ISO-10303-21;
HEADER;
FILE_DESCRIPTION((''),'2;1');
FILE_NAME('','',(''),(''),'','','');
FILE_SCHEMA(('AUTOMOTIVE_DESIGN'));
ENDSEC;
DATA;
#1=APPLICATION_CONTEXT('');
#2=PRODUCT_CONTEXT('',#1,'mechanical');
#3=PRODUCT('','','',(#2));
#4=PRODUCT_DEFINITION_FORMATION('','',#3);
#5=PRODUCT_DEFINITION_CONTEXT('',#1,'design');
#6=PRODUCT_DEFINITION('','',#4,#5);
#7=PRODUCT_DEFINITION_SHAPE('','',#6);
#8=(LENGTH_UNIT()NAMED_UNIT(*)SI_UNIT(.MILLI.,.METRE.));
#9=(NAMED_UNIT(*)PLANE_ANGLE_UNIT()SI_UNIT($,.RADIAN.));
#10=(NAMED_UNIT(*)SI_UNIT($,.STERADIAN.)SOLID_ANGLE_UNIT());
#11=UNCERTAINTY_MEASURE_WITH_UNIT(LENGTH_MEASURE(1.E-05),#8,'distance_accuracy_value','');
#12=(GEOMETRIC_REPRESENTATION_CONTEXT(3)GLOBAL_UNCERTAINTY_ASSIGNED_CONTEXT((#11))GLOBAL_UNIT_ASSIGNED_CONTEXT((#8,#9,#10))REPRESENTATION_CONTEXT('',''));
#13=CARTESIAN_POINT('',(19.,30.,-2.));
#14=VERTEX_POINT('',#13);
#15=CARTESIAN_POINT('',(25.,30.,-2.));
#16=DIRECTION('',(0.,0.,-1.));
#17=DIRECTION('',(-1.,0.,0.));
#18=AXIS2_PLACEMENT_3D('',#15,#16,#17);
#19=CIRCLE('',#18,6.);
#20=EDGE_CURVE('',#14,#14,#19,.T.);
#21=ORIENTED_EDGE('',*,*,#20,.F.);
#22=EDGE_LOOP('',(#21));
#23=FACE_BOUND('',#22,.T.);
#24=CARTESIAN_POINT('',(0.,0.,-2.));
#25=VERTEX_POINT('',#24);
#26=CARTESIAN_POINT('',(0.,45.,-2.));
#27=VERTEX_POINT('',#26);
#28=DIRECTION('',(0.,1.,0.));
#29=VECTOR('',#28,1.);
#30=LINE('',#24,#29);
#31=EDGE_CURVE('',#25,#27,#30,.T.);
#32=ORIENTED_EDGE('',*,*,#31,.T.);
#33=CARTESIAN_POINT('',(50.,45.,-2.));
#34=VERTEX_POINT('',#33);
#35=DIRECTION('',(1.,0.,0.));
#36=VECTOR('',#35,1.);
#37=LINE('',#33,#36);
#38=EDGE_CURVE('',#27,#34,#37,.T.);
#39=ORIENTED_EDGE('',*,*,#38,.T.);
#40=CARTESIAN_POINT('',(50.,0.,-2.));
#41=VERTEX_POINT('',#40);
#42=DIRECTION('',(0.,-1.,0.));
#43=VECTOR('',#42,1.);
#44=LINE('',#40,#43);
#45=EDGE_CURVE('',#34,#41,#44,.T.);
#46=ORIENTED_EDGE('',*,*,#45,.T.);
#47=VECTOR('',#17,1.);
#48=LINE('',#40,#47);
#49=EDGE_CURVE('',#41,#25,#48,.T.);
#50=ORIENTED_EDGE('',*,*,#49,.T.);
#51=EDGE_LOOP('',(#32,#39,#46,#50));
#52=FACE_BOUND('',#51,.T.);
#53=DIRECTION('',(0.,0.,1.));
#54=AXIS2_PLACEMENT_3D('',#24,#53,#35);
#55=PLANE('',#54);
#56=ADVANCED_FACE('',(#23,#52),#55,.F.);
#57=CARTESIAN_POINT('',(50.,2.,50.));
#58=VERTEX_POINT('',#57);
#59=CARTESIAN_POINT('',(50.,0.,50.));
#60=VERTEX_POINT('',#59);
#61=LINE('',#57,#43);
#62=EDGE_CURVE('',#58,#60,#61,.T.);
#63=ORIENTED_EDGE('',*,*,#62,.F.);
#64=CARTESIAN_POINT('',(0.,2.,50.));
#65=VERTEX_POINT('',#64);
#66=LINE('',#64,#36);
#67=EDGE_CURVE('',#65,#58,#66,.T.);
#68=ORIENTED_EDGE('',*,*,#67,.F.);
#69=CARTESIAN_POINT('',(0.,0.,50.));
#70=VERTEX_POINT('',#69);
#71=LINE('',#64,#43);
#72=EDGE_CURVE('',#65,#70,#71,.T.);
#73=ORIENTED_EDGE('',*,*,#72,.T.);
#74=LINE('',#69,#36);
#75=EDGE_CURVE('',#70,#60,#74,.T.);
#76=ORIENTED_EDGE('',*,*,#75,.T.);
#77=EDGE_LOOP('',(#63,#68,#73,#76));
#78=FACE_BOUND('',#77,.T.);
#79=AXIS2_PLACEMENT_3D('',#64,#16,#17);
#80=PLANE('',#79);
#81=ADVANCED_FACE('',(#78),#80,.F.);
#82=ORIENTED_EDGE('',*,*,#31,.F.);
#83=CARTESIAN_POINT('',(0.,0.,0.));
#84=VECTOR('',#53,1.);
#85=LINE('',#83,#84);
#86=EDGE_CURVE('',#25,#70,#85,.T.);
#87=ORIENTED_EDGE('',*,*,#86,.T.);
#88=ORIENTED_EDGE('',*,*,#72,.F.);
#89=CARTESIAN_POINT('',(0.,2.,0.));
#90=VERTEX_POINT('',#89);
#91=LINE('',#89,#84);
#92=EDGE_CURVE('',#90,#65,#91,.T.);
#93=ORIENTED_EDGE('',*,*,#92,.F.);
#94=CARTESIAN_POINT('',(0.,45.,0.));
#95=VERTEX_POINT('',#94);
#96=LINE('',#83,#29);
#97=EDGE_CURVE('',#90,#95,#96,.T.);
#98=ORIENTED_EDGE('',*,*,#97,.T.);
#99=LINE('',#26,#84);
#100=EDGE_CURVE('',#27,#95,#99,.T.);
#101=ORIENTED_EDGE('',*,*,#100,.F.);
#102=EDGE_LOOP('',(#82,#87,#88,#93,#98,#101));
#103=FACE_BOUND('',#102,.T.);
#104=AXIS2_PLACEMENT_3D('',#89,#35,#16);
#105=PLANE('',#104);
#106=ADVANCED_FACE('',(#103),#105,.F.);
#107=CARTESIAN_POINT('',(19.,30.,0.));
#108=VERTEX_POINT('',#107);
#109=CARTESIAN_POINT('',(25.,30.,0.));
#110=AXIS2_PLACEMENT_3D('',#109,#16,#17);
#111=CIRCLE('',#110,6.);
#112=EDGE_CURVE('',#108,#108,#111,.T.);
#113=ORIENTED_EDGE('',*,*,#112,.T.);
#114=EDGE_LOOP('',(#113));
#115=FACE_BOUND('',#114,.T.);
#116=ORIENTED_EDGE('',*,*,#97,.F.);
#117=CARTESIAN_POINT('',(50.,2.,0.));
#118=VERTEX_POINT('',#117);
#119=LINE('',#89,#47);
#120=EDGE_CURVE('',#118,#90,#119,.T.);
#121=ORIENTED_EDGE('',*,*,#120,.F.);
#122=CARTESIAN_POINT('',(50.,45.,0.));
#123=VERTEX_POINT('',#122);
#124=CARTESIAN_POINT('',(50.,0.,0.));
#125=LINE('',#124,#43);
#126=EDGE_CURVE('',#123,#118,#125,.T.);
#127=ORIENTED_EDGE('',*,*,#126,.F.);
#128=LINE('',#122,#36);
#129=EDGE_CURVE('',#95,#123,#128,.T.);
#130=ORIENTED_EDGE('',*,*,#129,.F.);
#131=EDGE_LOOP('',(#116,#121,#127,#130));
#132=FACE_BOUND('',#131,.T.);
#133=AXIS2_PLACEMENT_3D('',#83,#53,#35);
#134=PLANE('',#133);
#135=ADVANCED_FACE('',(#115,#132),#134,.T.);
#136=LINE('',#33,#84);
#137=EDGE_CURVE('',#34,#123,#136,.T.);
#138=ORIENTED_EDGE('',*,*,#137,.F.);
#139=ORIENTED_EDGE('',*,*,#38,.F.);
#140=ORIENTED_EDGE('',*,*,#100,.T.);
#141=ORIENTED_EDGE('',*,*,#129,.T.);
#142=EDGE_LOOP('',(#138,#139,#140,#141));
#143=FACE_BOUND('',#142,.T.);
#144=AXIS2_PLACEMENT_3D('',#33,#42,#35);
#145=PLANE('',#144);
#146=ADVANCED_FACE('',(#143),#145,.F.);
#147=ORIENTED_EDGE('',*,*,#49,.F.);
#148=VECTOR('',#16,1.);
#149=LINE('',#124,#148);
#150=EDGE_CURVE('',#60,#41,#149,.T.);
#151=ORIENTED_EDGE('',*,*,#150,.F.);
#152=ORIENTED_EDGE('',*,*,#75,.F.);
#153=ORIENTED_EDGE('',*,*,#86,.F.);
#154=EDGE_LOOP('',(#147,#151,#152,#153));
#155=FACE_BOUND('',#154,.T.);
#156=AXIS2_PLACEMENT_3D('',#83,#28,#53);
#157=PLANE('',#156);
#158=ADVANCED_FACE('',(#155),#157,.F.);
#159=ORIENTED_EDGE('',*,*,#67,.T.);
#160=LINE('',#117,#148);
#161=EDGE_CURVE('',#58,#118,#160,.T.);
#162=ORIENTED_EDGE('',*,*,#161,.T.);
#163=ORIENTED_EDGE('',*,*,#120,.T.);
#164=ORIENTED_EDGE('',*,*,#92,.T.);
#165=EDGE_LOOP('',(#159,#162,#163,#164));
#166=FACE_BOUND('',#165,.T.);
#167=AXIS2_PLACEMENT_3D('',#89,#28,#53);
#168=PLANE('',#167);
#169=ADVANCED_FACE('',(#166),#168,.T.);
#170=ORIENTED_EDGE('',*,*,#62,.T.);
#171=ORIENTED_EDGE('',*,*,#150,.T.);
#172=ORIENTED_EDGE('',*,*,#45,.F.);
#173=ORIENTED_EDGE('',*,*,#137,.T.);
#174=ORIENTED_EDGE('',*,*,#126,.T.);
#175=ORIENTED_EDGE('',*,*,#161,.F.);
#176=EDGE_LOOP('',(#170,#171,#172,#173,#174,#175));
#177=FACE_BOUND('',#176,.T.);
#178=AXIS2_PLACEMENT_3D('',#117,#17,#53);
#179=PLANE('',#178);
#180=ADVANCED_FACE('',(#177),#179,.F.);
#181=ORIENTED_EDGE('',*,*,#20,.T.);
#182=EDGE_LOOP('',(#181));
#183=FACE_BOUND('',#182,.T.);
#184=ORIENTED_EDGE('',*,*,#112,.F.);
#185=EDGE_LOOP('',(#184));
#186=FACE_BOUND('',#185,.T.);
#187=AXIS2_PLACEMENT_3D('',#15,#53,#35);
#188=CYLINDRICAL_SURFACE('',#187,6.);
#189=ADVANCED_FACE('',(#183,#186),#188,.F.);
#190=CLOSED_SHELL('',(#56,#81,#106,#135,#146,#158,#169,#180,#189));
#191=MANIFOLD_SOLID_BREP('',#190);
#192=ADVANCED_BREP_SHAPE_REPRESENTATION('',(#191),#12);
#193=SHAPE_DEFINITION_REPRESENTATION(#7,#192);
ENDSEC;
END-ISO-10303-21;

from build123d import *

# Parameters (mm, degrees)
SKETCH1_W           = 50
SKETCH1_H           = 50
BOSS_EXTRUDE1_DEPTH = 2
SKETCH2_W           = 50
SKETCH2_H           = 45
SKETCH2_R           = 6
BOSS_EXTRUDE2_DEPTH = 2


with BuildPart() as part:
    # Sketch1 → Boss-Extrude1 (new body)
    with BuildSketch(Plane(origin=(0, 0, 0), x_dir=(1, 0, 0), z_dir=(0, 1, 0))):
        with Locations((25, -25)):
            Rectangle(SKETCH1_W, SKETCH1_H)
    extrude(amount=BOSS_EXTRUDE1_DEPTH)

    # Sketch2 → Boss-Extrude2 (add)
    with BuildSketch(Plane(origin=(0, 0, 0), x_dir=(-1, 0, 0), z_dir=(0, 0, -1))):
        with Locations((-25, 22.5)):
            Rectangle(SKETCH2_W, SKETCH2_H)
        with Locations((-25, 30)):
            Circle(SKETCH2_R, mode=Mode.SUBTRACT)
    extrude(amount=BOSS_EXTRUDE2_DEPTH)


solid = part.part
